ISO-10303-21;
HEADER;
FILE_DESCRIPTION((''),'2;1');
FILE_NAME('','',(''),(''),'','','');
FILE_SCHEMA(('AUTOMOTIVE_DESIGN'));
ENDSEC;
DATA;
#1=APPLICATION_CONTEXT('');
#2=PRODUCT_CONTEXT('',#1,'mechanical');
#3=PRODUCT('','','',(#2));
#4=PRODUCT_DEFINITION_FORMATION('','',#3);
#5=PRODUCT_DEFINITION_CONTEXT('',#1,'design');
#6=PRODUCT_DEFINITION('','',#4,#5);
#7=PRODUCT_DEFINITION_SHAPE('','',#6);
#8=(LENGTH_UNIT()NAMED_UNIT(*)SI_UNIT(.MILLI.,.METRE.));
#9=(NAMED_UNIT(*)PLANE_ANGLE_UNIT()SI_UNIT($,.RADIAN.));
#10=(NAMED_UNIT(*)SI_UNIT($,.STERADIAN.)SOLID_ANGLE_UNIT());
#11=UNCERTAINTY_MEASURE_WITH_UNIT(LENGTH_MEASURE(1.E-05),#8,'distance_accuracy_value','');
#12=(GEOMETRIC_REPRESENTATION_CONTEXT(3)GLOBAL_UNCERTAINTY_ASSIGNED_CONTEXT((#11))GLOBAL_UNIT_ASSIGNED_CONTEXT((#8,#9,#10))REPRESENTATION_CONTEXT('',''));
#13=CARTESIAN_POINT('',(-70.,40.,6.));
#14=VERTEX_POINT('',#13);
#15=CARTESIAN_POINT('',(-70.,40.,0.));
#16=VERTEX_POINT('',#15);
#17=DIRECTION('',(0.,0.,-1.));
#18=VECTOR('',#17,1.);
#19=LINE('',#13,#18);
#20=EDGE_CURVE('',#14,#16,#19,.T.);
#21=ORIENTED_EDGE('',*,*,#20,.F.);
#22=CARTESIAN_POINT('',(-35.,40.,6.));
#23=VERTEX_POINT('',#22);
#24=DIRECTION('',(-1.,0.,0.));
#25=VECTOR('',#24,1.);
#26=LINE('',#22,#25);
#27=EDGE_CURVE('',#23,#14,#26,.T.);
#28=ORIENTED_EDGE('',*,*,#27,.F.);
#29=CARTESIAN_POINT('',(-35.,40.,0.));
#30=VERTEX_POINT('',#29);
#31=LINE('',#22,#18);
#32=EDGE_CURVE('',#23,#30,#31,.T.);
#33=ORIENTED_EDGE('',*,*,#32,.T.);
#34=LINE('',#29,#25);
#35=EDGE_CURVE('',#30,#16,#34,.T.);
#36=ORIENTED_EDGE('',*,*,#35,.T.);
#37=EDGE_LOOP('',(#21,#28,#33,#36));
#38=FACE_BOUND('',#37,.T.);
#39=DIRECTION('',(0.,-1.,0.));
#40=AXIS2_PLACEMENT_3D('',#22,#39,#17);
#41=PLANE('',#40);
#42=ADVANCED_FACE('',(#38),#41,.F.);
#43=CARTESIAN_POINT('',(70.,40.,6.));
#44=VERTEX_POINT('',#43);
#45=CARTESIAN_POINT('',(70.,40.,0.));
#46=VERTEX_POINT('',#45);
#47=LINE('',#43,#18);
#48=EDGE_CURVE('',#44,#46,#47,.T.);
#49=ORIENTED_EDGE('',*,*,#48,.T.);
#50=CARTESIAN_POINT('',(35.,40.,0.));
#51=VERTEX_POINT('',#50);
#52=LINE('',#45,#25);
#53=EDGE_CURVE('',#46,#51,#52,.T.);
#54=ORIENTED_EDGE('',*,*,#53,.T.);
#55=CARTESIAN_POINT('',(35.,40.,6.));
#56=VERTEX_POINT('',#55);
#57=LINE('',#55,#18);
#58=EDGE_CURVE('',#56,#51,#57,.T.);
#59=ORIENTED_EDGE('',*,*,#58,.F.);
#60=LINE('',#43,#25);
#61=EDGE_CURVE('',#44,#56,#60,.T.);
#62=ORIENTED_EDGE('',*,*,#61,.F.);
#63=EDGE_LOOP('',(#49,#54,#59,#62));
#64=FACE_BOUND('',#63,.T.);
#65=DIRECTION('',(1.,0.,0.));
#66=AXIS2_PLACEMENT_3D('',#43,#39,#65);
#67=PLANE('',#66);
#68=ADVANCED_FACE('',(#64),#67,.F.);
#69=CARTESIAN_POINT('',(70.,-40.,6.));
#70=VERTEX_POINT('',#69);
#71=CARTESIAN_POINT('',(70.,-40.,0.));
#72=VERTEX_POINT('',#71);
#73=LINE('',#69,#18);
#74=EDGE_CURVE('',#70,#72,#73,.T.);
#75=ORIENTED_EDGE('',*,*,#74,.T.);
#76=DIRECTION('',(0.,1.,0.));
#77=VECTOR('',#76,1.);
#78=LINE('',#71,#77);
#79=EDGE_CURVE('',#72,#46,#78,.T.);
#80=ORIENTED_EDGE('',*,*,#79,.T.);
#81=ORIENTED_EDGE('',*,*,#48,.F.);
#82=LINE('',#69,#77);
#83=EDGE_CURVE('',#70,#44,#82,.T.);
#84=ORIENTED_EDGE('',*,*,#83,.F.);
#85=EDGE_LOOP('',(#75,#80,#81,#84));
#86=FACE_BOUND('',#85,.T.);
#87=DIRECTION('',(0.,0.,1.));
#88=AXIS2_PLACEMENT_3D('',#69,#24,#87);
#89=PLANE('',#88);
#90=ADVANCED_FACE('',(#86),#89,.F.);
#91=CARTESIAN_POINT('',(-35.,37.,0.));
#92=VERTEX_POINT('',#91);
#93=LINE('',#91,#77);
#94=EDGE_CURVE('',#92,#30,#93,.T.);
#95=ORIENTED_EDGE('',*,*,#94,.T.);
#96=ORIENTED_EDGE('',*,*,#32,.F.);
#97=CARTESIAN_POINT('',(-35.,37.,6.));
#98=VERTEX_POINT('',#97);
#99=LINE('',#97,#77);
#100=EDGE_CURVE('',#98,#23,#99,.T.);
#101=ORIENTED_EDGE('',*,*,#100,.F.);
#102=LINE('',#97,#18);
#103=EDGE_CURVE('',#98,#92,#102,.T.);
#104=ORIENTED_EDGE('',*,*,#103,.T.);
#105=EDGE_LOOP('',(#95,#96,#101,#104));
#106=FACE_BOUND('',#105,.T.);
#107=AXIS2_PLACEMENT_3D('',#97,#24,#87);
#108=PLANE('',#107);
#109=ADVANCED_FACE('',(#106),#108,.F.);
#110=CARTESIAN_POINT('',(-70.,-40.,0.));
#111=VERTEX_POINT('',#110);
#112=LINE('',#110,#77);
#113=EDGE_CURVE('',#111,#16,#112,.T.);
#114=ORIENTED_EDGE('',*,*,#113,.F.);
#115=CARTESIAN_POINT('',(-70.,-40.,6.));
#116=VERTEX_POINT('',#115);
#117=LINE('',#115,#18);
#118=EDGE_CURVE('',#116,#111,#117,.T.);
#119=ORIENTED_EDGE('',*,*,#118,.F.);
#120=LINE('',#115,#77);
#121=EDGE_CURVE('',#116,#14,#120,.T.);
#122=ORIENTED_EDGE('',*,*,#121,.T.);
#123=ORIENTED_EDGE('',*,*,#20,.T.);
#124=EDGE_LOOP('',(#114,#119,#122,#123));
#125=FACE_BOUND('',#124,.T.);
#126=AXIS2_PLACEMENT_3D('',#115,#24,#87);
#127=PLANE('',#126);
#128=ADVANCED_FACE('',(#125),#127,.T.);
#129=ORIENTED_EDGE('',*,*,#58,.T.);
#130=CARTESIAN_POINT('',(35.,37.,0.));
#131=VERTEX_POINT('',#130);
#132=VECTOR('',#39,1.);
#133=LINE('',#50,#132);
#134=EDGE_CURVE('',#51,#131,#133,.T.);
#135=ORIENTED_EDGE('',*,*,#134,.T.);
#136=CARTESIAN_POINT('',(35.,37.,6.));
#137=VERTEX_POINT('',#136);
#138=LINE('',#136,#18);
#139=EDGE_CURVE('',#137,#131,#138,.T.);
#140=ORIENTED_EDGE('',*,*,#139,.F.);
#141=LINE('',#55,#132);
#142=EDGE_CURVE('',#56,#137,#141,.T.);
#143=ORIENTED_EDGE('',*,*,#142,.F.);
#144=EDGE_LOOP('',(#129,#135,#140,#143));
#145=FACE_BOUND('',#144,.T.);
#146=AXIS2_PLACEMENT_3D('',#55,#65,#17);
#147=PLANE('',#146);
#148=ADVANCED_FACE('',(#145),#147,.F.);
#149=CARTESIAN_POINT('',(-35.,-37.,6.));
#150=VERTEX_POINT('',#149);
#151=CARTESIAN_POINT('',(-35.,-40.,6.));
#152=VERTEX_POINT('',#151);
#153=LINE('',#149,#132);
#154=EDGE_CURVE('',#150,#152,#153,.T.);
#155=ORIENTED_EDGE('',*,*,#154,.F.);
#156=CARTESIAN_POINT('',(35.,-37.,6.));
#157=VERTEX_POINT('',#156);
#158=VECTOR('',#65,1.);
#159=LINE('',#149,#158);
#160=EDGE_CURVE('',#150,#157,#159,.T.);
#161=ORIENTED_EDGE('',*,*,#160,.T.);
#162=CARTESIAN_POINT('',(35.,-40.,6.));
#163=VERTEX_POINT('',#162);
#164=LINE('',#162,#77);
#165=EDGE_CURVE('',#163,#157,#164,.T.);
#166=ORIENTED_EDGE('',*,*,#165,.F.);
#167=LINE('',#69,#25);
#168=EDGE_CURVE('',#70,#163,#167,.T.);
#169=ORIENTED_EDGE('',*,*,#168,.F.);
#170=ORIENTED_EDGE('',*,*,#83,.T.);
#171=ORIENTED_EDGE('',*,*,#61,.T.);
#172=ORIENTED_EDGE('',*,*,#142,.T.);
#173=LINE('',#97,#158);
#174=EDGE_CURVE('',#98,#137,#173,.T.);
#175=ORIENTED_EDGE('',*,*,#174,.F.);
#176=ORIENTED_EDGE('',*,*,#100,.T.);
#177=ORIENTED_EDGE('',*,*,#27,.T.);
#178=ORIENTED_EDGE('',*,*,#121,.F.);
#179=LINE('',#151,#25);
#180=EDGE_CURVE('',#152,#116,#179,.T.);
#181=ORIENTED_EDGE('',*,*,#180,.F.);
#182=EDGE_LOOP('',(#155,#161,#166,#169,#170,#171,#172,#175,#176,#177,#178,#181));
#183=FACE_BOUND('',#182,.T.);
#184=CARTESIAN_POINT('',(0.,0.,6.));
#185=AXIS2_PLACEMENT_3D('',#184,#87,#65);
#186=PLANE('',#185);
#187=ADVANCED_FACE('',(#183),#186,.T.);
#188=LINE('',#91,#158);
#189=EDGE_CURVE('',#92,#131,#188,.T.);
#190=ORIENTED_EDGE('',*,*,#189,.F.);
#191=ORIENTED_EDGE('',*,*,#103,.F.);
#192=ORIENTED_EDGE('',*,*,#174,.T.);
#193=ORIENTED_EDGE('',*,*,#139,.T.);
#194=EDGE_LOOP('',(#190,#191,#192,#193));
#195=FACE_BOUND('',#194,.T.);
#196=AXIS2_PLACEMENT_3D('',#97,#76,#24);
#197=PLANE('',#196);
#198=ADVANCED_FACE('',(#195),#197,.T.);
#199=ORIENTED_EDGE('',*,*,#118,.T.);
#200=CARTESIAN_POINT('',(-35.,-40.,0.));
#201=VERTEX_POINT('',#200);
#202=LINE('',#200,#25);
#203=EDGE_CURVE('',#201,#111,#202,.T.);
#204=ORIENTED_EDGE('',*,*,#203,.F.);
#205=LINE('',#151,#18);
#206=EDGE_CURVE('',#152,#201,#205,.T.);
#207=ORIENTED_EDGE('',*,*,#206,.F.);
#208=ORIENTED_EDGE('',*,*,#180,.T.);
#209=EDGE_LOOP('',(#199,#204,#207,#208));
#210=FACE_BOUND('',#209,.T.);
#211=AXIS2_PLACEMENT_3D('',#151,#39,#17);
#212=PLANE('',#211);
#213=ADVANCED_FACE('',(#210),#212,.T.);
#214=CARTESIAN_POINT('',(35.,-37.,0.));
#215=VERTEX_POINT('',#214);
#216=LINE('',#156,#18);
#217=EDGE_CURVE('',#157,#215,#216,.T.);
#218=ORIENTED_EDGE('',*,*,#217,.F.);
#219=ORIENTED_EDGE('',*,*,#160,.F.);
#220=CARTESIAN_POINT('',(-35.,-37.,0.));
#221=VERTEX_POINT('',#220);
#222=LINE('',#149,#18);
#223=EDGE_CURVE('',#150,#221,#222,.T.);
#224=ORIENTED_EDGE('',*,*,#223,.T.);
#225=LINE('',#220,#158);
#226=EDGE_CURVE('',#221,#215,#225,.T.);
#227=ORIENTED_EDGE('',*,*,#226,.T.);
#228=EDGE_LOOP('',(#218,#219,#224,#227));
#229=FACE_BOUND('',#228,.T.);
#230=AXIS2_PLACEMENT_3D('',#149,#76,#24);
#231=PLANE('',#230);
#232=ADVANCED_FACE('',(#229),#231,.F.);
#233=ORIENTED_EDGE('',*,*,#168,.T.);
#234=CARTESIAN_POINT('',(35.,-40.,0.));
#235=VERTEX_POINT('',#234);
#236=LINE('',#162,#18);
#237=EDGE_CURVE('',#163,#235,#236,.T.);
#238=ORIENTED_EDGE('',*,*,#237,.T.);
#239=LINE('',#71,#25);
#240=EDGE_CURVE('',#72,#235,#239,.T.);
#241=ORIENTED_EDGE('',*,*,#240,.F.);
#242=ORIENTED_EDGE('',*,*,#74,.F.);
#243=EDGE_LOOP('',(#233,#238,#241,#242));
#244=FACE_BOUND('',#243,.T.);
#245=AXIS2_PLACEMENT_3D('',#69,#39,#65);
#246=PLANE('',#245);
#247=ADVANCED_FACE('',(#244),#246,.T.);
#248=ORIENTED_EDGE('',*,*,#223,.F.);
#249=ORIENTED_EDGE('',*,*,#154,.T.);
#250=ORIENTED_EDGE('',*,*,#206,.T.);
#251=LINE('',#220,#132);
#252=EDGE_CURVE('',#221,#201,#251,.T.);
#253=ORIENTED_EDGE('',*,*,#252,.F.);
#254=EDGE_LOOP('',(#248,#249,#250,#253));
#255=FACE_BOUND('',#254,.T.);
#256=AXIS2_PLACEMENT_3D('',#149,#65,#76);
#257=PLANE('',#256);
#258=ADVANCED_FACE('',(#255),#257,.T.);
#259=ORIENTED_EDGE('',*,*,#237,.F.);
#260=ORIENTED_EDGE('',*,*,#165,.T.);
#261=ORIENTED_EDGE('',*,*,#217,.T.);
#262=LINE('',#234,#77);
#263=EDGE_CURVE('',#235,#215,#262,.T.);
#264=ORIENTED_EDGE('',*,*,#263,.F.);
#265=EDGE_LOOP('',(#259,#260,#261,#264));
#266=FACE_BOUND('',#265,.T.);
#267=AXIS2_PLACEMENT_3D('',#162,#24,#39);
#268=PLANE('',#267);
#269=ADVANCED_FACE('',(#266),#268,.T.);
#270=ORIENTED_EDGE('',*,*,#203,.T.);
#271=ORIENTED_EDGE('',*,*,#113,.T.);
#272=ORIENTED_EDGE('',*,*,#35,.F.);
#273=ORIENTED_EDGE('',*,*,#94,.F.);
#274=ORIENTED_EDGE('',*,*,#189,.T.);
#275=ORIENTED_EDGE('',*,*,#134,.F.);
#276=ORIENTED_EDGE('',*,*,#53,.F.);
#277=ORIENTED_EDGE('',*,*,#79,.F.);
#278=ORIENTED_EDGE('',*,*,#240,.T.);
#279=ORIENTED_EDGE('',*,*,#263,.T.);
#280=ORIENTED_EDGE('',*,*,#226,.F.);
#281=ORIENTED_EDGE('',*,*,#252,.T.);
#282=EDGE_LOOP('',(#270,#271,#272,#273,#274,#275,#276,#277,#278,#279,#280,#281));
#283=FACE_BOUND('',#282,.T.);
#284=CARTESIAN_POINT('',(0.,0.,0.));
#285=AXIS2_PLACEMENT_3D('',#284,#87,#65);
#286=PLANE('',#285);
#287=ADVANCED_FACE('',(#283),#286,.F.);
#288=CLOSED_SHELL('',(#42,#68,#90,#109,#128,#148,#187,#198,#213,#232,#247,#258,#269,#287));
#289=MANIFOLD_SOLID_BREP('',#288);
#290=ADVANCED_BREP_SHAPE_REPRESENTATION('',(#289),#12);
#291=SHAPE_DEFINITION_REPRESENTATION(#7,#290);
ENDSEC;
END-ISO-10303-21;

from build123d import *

# Parameters (mm, degrees)
RESSALTO_EXTRUS_O1_DEPTH = 6


with BuildPart() as part:
    # Esboço1 → Ressalto-extrusão1 (new body)
    with BuildSketch(Plane.XY):
        Polygon((70, -40), (70, 40), (35, 40), (35, 37), (-35, 37), (-35, 40), (-70, 40), (-70, -40), (-35, -40), (-35, -37), (35, -37), (35, -40), align=None)
    extrude(amount=RESSALTO_EXTRUS_O1_DEPTH)


solid = part.part
